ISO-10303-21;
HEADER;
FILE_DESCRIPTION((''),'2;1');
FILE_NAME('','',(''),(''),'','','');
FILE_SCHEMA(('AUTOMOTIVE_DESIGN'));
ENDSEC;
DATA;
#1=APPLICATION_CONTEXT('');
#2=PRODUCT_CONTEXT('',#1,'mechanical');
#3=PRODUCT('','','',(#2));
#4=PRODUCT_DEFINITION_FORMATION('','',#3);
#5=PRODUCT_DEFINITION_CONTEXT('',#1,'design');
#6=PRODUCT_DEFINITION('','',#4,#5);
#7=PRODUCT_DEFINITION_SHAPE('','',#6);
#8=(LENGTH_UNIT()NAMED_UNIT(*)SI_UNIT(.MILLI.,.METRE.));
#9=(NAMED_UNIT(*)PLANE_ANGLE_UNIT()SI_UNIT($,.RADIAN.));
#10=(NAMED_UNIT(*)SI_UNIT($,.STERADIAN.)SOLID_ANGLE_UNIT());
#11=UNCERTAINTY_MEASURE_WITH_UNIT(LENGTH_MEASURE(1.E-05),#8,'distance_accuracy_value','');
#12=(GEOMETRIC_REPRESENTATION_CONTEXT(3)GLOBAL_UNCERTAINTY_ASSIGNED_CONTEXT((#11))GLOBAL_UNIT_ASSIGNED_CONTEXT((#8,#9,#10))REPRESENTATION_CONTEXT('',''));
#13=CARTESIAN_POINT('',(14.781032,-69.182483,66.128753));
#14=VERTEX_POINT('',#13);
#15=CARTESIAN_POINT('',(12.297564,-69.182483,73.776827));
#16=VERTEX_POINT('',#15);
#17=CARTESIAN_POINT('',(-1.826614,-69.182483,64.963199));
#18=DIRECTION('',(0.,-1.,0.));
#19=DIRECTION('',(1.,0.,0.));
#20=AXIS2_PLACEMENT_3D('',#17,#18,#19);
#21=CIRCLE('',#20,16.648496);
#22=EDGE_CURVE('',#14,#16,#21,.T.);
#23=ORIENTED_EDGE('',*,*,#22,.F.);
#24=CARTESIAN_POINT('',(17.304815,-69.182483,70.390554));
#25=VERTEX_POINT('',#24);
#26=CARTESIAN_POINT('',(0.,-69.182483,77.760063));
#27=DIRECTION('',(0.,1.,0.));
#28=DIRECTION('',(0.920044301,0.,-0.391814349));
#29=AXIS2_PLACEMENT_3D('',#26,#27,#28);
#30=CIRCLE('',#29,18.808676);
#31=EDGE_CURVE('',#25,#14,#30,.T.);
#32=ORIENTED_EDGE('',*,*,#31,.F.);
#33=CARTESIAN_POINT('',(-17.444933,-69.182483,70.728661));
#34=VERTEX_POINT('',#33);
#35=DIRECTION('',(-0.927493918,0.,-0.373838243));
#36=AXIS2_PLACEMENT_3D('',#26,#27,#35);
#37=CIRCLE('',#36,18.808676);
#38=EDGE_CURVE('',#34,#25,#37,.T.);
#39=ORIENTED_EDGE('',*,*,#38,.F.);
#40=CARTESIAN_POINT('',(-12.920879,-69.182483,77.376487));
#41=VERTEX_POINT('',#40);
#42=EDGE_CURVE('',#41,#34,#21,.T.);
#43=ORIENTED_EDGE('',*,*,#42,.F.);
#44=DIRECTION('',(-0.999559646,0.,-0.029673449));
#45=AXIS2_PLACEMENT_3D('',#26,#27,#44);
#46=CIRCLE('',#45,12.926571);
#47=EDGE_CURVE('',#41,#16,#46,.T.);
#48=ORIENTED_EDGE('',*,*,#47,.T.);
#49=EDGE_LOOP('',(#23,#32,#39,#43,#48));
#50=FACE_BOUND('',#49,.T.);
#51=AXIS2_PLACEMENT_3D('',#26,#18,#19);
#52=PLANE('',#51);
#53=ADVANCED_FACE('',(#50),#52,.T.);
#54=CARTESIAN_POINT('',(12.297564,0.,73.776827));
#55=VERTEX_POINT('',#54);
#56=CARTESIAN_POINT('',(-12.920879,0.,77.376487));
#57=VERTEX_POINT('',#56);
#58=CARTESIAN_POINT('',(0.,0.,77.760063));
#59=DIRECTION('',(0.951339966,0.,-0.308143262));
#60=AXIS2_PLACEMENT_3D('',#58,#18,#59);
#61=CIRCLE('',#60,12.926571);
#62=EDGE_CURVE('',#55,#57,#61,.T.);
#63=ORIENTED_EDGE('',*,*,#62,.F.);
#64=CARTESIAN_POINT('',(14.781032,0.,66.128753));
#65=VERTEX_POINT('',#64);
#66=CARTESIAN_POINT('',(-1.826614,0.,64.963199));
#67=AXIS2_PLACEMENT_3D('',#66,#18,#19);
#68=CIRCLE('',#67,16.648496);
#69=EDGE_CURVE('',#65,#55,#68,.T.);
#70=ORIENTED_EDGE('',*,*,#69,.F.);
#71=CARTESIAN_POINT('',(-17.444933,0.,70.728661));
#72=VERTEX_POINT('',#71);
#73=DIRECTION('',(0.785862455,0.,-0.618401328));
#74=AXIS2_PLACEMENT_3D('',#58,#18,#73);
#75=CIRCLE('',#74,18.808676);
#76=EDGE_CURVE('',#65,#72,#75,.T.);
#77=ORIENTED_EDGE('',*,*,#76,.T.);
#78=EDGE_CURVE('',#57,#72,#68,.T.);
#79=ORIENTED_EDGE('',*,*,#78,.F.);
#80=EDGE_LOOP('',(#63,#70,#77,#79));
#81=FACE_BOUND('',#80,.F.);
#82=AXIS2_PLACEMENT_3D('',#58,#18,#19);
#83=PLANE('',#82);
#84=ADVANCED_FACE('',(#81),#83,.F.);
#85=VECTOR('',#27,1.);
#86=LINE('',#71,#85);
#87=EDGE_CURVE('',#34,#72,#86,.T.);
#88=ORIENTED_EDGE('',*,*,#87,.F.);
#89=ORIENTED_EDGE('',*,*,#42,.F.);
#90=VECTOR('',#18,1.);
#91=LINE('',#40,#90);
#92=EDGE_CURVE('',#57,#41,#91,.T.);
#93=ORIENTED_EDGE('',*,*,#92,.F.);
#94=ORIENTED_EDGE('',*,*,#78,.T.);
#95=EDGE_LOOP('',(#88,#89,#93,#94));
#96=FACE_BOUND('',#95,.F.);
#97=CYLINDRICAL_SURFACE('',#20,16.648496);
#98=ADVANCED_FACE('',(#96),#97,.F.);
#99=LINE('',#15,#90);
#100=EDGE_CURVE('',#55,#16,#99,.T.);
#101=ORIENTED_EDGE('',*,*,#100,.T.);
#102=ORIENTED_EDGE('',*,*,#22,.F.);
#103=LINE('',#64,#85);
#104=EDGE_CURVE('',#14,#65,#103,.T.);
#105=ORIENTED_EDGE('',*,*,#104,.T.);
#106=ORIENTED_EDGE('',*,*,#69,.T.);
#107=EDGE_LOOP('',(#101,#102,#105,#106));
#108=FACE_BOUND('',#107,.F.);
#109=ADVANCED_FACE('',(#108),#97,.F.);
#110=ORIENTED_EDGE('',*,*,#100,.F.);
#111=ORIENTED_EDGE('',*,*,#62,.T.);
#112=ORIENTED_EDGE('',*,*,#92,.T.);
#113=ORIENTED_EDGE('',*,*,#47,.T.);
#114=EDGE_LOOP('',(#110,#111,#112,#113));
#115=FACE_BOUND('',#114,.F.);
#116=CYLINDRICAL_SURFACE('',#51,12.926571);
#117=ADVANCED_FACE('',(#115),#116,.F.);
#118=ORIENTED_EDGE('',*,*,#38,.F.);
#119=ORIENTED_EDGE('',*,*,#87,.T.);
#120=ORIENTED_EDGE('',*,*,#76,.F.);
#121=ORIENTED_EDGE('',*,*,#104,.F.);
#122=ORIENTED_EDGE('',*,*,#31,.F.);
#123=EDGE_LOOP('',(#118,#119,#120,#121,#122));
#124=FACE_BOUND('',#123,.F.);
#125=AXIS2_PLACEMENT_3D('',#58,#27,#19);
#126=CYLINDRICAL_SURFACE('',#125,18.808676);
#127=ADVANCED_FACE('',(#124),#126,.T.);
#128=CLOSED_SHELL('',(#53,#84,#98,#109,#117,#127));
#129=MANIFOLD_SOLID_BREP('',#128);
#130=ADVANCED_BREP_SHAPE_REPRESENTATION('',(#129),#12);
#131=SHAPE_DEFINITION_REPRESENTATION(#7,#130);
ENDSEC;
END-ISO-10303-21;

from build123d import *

# Parameters (mm, degrees)
F0_R     = 18.808676083
F1_DEPTH = 69.1824834794
F2_R     = 12.9265710322
F3_DEPTH = 129.7349091619
F5_DEPTH = 129.6051889658
F6_R     = 16.6484962408
F7_DEPTH = 87.6426827163


with BuildPart() as f1:
    # F0 (on Front) → F1 (new body)
    with BuildSketch(Plane.XZ):
        with Locations((0, 77.7600631118)):
            Circle(F0_R)
    extrude(amount=F1_DEPTH)

    # F2 (on face) → F3 (cut)
    with BuildSketch(Plane.XZ.offset(69.1824834794)):
        with Locations((0, 77.7600631118)):
            Circle(F2_R)
    extrude(amount=-F3_DEPTH, mode=Mode.SUBTRACT)

    # F4 (on face) → F5 (cut)
    with BuildSketch(Plane.XZ.offset(69.1824834794)):
        with BuildLine():
            ThreePointArc((-12.9257110231, 77.6109551043), (0, 64.8334920796), (12.9257110231, 77.6109551043))
            ThreePointArc((12.9257110231, 77.6109551043), (0, 83.0086830497), (-12.9257110231, 77.6109551043))
        make_face()
        with BuildLine():
            ThreePointArc((-17.3048152374, 70.3905539291), (-2.8124051236, 46.8772133943), (18.1751909702, 64.8334920796))
            ThreePointArc((18.1751909702, 64.8334920796), (17.9562786853, 67.6458972031), (17.3048152374, 70.3905539291))
            ThreePointArc((17.3048152374, 70.3905539291), (0, 58.9513870288), (-17.3048152374, 70.3905539291))
        make_face()
    extrude(amount=-F5_DEPTH, mode=Mode.SUBTRACT)

    # F6 (on face) → F7 (cut)
    with BuildSketch(Plane.XZ.offset(69.1824834794)):
        with Locations((-1.8266138414, 64.963199413)):
            Circle(F6_R)
    extrude(amount=-F7_DEPTH, mode=Mode.SUBTRACT)


solid = f1.part
